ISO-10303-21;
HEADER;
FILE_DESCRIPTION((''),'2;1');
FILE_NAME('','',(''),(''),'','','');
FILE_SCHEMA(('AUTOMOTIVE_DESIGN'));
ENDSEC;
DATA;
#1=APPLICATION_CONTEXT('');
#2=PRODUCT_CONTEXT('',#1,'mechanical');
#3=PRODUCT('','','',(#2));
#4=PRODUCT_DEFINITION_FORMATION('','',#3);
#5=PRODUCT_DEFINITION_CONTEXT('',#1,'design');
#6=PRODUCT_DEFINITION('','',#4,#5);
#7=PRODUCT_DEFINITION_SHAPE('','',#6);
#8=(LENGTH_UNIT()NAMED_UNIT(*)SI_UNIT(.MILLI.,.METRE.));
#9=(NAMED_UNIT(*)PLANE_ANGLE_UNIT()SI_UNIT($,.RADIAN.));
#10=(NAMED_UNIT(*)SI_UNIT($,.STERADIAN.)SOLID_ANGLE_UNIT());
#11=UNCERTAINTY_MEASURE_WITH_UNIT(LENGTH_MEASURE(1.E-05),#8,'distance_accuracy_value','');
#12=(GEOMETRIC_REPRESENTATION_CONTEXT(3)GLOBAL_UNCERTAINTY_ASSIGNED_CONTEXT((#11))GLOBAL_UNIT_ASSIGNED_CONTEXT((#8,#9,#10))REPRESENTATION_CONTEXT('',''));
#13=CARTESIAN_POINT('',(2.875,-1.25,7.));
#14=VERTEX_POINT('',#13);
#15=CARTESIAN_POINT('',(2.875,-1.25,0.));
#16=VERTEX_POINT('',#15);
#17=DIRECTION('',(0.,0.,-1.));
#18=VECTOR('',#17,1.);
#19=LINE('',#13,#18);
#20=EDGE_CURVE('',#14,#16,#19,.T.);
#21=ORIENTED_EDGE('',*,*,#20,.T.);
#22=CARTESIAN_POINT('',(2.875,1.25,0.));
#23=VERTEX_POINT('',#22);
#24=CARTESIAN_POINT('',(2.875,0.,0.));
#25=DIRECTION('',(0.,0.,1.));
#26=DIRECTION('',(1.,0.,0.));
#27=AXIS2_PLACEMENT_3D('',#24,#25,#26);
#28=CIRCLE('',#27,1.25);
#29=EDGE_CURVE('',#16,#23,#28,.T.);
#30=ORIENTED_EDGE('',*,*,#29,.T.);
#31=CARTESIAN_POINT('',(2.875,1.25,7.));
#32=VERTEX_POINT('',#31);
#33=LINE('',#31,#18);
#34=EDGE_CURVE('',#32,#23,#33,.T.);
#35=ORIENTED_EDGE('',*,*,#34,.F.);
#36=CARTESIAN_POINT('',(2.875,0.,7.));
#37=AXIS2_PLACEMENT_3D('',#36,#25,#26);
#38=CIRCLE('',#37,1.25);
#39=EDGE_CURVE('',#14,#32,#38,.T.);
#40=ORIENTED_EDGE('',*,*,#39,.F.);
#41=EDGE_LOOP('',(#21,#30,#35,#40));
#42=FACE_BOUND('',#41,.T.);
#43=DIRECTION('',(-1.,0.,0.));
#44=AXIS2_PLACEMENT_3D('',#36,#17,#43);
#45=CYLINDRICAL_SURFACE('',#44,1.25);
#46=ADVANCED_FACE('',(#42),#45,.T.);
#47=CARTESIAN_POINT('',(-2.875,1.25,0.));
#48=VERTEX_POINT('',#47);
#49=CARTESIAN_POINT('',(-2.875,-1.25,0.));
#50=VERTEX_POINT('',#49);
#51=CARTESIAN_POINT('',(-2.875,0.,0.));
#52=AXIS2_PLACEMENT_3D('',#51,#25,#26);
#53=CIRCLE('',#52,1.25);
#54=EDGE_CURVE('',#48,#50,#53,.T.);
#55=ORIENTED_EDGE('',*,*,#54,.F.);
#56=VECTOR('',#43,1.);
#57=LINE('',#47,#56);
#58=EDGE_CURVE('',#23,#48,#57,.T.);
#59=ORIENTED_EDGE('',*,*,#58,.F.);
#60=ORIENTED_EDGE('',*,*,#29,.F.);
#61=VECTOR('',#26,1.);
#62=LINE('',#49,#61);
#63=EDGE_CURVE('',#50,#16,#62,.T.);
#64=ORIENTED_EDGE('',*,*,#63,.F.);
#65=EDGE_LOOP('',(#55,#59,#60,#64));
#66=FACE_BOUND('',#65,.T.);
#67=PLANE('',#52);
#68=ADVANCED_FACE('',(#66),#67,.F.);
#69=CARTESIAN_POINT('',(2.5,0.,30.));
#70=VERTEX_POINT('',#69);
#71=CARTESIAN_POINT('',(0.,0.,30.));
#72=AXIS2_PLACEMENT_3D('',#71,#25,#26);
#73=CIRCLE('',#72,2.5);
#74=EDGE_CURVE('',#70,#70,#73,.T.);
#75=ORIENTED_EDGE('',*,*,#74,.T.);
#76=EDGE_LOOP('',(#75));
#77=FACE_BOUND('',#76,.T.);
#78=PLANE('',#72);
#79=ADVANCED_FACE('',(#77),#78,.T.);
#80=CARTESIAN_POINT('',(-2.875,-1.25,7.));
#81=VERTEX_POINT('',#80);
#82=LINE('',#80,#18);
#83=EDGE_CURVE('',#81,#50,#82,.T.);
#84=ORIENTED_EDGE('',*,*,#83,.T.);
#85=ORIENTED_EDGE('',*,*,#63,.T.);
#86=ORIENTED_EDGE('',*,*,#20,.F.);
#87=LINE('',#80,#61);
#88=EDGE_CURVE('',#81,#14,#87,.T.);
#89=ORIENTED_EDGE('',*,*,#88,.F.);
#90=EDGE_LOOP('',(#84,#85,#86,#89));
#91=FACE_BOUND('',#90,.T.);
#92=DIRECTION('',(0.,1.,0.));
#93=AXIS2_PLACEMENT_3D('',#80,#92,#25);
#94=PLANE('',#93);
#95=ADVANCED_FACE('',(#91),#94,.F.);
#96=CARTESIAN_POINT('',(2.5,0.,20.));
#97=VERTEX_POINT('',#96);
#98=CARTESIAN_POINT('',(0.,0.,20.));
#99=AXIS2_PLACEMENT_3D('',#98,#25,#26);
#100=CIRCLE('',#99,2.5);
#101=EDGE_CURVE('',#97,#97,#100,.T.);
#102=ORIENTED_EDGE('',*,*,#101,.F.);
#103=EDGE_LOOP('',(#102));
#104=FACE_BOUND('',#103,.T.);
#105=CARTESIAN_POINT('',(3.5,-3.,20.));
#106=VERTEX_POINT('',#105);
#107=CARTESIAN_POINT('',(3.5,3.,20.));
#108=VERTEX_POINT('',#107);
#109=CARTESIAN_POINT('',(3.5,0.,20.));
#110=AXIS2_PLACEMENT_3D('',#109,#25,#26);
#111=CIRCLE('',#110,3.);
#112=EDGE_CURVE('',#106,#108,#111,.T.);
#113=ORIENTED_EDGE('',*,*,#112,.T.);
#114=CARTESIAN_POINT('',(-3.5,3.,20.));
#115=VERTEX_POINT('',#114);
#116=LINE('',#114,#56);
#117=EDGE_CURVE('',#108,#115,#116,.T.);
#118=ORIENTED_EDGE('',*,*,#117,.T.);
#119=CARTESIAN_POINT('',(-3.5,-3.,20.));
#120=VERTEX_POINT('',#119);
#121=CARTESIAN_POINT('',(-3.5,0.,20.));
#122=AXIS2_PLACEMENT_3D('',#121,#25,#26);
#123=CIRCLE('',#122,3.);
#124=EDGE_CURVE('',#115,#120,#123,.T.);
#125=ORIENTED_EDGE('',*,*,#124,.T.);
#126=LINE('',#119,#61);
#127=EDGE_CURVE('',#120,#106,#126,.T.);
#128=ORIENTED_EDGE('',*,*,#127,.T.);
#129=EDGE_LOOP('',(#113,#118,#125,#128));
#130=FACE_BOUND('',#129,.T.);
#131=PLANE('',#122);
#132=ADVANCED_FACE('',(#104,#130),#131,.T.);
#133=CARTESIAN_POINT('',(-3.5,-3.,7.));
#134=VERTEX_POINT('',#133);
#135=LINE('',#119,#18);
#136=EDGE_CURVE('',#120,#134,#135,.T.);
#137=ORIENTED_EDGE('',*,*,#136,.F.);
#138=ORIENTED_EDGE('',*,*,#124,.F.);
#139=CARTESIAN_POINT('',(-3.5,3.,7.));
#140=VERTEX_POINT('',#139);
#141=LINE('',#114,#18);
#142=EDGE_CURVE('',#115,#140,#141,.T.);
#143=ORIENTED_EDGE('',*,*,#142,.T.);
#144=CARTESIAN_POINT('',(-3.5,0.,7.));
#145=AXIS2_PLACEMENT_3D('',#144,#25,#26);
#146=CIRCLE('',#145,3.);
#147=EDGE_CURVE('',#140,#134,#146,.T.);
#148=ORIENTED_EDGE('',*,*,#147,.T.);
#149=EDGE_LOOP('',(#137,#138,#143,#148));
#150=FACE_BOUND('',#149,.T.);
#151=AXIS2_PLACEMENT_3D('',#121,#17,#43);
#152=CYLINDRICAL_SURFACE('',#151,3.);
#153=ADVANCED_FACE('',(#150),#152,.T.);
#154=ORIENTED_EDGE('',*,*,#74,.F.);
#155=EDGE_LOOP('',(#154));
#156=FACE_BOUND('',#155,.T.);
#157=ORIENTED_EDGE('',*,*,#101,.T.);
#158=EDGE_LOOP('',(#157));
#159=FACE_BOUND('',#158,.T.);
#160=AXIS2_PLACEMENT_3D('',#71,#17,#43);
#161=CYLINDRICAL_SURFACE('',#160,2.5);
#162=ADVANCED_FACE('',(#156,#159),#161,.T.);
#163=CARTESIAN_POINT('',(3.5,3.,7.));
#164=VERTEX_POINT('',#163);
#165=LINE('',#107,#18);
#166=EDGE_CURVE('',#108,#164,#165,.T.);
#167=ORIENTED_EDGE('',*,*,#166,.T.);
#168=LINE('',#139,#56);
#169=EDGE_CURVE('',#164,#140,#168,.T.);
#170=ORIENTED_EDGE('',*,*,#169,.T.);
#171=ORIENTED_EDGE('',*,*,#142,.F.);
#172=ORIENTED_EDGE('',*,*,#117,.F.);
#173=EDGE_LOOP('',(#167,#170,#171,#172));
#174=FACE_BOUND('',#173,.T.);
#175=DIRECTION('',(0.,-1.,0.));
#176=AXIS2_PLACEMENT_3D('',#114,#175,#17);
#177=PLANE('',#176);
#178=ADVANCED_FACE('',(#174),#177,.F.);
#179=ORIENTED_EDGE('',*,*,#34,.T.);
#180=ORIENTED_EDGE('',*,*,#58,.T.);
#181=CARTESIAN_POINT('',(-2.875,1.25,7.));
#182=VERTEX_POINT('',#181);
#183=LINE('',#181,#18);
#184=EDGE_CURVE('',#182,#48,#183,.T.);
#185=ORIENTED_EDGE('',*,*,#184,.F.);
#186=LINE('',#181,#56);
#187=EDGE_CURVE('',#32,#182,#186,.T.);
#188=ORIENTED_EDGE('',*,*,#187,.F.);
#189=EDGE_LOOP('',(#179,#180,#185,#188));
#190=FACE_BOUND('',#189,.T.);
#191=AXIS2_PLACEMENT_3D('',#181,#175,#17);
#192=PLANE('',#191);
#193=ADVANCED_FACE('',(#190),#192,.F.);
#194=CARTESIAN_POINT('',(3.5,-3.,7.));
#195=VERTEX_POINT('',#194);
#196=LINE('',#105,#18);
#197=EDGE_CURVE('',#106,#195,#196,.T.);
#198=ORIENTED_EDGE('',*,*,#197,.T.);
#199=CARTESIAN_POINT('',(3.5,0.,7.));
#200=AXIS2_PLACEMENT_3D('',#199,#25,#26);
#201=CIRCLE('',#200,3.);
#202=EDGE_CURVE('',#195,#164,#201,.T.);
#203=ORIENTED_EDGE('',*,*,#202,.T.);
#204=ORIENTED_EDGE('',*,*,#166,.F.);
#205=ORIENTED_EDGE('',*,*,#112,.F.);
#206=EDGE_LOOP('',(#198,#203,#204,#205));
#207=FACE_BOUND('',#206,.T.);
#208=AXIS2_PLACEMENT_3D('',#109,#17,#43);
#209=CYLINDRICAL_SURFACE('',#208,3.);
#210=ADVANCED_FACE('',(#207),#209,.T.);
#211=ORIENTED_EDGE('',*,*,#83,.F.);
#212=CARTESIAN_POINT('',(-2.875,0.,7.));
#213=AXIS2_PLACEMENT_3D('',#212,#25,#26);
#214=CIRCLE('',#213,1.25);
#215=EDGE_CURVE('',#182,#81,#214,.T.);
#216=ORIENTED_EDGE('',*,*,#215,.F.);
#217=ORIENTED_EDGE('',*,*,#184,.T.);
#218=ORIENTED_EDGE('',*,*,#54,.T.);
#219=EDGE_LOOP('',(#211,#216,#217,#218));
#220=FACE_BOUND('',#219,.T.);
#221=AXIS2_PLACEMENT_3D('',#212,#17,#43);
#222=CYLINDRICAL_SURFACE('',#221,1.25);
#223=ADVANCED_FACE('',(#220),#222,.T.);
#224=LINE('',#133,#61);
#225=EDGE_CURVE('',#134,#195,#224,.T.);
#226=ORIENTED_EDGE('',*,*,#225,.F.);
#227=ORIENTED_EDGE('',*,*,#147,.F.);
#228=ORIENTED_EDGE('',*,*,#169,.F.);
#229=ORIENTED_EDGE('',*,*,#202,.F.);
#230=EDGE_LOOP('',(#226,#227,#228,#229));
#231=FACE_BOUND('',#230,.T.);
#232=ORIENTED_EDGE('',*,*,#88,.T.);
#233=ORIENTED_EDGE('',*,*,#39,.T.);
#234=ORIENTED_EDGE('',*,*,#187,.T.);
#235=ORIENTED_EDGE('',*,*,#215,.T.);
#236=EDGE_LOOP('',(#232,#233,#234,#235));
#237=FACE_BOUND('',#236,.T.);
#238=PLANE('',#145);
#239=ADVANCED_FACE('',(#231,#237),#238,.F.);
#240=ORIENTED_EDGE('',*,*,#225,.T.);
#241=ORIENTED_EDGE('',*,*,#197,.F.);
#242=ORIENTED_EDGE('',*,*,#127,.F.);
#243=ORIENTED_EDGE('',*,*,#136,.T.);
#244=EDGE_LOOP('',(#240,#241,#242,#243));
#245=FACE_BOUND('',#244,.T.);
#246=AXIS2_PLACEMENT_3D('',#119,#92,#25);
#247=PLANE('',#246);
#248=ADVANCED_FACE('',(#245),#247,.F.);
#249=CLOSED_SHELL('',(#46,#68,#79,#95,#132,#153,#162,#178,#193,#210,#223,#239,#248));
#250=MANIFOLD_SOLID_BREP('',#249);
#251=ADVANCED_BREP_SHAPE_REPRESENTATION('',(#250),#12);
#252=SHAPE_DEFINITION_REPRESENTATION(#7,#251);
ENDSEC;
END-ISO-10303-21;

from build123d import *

# Parameters (mm, degrees)
BOSS_EXTRUDE1_DEPTH = 7
BOSS_EXTRUDE2_DEPTH = 13
SKETCH3_R           = 2.5
BOSS_EXTRUDE3_DEPTH = 10


with BuildPart() as part:
    # Sketch1 → Boss-Extrude1 (new body)
    with BuildSketch(Plane.XY):
        with BuildLine():
            Line((-2.875, 1.25), (2.875, 1.25))
            ThreePointArc((2.875, 1.25), (4.125, 0), (2.875, -1.25))
            Line((2.875, -1.25), (-2.875, -1.25))
            ThreePointArc((-2.875, -1.25), (-4.125, 0), (-2.875, 1.25))
        make_face()
    extrude(amount=BOSS_EXTRUDE1_DEPTH)

    # Sketch2 → Boss-Extrude2 (add)
    with BuildSketch(Plane.XY.offset(7)):
        with BuildLine():
            Line((-3.5, 3), (3.5, 3))
            ThreePointArc((3.5, 3), (6.5, 0), (3.5, -3))
            Line((3.5, -3), (-3.5, -3))
            ThreePointArc((-3.5, -3), (-6.5, 0), (-3.5, 3))
        make_face()
    extrude(amount=BOSS_EXTRUDE2_DEPTH)

    # Sketch3 → Boss-Extrude3 (add)
    with BuildSketch(Plane.XY.offset(20)):
        Circle(SKETCH3_R)
    extrude(amount=BOSS_EXTRUDE3_DEPTH)


solid = part.part
